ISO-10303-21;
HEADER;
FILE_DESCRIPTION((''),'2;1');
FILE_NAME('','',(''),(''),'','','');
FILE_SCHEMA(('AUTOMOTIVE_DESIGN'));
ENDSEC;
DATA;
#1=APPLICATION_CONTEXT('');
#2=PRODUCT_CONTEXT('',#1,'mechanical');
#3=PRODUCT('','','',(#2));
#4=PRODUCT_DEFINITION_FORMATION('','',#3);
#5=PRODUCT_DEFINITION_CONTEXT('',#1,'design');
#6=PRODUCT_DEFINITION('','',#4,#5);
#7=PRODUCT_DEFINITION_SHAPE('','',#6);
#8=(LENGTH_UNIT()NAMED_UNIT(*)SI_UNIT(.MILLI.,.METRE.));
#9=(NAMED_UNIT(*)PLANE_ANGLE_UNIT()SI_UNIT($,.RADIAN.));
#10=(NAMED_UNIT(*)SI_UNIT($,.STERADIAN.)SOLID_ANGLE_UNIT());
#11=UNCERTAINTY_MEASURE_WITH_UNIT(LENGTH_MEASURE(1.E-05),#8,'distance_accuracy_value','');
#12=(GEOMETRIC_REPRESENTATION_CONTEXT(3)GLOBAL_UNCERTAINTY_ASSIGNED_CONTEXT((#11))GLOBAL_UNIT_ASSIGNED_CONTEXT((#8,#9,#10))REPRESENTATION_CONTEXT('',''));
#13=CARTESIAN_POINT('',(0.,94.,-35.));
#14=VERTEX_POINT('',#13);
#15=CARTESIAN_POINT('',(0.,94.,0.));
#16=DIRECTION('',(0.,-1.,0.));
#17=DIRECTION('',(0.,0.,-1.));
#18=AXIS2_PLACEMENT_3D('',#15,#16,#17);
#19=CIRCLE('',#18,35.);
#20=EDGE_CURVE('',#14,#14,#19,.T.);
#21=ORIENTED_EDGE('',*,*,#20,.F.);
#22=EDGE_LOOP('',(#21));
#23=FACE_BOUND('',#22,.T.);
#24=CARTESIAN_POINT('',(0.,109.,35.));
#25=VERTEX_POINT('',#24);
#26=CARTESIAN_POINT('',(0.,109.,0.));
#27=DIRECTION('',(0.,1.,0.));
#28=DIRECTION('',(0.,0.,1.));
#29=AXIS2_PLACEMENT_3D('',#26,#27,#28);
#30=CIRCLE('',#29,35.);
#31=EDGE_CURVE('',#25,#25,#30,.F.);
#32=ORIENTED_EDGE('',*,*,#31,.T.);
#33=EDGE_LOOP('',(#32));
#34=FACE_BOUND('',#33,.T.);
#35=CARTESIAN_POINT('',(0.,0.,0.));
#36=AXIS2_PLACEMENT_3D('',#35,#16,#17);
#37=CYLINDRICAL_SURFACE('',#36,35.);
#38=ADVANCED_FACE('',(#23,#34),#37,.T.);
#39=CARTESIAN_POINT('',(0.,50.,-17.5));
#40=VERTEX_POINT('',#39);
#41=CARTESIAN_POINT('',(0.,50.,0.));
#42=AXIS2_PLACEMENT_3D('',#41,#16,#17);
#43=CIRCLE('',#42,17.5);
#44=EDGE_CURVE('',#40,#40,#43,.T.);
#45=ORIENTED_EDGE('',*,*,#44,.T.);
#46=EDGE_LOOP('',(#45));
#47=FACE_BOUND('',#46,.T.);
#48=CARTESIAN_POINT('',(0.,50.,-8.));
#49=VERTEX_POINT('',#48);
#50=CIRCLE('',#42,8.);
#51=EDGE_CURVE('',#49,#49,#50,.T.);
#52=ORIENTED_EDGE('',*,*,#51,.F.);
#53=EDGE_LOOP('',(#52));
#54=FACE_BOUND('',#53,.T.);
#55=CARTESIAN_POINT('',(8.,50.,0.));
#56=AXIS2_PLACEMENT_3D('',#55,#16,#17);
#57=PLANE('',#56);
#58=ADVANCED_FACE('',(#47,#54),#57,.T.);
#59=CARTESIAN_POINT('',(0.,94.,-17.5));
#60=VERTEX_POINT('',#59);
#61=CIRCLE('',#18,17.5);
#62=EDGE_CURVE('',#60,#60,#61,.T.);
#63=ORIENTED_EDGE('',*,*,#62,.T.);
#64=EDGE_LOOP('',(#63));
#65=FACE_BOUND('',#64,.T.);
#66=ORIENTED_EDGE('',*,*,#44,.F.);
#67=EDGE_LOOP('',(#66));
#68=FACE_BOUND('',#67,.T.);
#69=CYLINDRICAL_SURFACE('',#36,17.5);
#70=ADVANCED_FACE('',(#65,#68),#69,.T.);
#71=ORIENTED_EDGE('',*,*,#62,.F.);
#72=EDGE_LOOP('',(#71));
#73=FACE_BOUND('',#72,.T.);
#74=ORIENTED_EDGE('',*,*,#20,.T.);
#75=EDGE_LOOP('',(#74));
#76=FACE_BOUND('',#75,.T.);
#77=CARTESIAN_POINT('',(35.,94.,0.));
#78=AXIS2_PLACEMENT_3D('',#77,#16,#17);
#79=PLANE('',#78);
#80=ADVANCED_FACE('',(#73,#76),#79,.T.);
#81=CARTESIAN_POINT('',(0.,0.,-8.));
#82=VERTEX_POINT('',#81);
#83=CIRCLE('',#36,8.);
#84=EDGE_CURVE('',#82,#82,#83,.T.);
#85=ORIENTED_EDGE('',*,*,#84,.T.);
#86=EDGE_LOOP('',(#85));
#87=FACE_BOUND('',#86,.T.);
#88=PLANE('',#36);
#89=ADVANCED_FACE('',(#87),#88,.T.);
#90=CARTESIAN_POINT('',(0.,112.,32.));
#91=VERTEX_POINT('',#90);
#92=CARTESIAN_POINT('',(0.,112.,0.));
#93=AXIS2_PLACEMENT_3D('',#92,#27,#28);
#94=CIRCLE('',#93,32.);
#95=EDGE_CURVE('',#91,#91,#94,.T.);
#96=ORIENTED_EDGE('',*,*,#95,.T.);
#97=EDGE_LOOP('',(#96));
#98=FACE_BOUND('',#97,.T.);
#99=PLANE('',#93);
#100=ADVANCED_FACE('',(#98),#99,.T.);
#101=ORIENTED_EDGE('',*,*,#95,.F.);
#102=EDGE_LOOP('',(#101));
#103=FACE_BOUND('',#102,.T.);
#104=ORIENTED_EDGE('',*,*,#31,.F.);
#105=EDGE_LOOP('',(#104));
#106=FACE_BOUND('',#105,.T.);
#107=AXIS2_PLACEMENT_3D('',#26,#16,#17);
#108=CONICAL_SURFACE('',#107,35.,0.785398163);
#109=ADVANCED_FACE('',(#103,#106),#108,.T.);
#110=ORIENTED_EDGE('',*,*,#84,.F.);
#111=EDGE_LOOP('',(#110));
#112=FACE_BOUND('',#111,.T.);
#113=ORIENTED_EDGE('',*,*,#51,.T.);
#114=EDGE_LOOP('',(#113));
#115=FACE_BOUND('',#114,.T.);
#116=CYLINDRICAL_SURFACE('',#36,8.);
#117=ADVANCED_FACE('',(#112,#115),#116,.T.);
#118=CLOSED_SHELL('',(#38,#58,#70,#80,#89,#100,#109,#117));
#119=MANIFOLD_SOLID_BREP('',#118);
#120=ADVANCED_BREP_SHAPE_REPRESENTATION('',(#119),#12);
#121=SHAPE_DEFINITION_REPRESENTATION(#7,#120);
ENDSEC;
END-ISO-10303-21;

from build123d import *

# Parameters (mm, degrees)
CHAMFER1_SIZE = 3


with BuildPart() as part:
    # Sketch3 → Revolve1 (revolve)
    with BuildSketch(Plane.XY, mode=Mode.PRIVATE) as revolve1_sk:
        Polygon((0, 0), (0, 112), (35, 112), (35, 94), (17.5, 94), (17.5, 50), (8, 50), (8, 0), align=None)
    revolve(revolve1_sk.sketch.rotate(Axis((0, 0, 0), (0, 1, 0)), 90), axis=Axis((0, 0, 0), (0, 1, 0)))

    # Chamfer1
    chamfer1_edges = [part.edges().sort_by_distance(p)[0] for p in [
        (0, 112, 35),
    ]]
    chamfer(chamfer1_edges, length=CHAMFER1_SIZE)


solid = part.part
